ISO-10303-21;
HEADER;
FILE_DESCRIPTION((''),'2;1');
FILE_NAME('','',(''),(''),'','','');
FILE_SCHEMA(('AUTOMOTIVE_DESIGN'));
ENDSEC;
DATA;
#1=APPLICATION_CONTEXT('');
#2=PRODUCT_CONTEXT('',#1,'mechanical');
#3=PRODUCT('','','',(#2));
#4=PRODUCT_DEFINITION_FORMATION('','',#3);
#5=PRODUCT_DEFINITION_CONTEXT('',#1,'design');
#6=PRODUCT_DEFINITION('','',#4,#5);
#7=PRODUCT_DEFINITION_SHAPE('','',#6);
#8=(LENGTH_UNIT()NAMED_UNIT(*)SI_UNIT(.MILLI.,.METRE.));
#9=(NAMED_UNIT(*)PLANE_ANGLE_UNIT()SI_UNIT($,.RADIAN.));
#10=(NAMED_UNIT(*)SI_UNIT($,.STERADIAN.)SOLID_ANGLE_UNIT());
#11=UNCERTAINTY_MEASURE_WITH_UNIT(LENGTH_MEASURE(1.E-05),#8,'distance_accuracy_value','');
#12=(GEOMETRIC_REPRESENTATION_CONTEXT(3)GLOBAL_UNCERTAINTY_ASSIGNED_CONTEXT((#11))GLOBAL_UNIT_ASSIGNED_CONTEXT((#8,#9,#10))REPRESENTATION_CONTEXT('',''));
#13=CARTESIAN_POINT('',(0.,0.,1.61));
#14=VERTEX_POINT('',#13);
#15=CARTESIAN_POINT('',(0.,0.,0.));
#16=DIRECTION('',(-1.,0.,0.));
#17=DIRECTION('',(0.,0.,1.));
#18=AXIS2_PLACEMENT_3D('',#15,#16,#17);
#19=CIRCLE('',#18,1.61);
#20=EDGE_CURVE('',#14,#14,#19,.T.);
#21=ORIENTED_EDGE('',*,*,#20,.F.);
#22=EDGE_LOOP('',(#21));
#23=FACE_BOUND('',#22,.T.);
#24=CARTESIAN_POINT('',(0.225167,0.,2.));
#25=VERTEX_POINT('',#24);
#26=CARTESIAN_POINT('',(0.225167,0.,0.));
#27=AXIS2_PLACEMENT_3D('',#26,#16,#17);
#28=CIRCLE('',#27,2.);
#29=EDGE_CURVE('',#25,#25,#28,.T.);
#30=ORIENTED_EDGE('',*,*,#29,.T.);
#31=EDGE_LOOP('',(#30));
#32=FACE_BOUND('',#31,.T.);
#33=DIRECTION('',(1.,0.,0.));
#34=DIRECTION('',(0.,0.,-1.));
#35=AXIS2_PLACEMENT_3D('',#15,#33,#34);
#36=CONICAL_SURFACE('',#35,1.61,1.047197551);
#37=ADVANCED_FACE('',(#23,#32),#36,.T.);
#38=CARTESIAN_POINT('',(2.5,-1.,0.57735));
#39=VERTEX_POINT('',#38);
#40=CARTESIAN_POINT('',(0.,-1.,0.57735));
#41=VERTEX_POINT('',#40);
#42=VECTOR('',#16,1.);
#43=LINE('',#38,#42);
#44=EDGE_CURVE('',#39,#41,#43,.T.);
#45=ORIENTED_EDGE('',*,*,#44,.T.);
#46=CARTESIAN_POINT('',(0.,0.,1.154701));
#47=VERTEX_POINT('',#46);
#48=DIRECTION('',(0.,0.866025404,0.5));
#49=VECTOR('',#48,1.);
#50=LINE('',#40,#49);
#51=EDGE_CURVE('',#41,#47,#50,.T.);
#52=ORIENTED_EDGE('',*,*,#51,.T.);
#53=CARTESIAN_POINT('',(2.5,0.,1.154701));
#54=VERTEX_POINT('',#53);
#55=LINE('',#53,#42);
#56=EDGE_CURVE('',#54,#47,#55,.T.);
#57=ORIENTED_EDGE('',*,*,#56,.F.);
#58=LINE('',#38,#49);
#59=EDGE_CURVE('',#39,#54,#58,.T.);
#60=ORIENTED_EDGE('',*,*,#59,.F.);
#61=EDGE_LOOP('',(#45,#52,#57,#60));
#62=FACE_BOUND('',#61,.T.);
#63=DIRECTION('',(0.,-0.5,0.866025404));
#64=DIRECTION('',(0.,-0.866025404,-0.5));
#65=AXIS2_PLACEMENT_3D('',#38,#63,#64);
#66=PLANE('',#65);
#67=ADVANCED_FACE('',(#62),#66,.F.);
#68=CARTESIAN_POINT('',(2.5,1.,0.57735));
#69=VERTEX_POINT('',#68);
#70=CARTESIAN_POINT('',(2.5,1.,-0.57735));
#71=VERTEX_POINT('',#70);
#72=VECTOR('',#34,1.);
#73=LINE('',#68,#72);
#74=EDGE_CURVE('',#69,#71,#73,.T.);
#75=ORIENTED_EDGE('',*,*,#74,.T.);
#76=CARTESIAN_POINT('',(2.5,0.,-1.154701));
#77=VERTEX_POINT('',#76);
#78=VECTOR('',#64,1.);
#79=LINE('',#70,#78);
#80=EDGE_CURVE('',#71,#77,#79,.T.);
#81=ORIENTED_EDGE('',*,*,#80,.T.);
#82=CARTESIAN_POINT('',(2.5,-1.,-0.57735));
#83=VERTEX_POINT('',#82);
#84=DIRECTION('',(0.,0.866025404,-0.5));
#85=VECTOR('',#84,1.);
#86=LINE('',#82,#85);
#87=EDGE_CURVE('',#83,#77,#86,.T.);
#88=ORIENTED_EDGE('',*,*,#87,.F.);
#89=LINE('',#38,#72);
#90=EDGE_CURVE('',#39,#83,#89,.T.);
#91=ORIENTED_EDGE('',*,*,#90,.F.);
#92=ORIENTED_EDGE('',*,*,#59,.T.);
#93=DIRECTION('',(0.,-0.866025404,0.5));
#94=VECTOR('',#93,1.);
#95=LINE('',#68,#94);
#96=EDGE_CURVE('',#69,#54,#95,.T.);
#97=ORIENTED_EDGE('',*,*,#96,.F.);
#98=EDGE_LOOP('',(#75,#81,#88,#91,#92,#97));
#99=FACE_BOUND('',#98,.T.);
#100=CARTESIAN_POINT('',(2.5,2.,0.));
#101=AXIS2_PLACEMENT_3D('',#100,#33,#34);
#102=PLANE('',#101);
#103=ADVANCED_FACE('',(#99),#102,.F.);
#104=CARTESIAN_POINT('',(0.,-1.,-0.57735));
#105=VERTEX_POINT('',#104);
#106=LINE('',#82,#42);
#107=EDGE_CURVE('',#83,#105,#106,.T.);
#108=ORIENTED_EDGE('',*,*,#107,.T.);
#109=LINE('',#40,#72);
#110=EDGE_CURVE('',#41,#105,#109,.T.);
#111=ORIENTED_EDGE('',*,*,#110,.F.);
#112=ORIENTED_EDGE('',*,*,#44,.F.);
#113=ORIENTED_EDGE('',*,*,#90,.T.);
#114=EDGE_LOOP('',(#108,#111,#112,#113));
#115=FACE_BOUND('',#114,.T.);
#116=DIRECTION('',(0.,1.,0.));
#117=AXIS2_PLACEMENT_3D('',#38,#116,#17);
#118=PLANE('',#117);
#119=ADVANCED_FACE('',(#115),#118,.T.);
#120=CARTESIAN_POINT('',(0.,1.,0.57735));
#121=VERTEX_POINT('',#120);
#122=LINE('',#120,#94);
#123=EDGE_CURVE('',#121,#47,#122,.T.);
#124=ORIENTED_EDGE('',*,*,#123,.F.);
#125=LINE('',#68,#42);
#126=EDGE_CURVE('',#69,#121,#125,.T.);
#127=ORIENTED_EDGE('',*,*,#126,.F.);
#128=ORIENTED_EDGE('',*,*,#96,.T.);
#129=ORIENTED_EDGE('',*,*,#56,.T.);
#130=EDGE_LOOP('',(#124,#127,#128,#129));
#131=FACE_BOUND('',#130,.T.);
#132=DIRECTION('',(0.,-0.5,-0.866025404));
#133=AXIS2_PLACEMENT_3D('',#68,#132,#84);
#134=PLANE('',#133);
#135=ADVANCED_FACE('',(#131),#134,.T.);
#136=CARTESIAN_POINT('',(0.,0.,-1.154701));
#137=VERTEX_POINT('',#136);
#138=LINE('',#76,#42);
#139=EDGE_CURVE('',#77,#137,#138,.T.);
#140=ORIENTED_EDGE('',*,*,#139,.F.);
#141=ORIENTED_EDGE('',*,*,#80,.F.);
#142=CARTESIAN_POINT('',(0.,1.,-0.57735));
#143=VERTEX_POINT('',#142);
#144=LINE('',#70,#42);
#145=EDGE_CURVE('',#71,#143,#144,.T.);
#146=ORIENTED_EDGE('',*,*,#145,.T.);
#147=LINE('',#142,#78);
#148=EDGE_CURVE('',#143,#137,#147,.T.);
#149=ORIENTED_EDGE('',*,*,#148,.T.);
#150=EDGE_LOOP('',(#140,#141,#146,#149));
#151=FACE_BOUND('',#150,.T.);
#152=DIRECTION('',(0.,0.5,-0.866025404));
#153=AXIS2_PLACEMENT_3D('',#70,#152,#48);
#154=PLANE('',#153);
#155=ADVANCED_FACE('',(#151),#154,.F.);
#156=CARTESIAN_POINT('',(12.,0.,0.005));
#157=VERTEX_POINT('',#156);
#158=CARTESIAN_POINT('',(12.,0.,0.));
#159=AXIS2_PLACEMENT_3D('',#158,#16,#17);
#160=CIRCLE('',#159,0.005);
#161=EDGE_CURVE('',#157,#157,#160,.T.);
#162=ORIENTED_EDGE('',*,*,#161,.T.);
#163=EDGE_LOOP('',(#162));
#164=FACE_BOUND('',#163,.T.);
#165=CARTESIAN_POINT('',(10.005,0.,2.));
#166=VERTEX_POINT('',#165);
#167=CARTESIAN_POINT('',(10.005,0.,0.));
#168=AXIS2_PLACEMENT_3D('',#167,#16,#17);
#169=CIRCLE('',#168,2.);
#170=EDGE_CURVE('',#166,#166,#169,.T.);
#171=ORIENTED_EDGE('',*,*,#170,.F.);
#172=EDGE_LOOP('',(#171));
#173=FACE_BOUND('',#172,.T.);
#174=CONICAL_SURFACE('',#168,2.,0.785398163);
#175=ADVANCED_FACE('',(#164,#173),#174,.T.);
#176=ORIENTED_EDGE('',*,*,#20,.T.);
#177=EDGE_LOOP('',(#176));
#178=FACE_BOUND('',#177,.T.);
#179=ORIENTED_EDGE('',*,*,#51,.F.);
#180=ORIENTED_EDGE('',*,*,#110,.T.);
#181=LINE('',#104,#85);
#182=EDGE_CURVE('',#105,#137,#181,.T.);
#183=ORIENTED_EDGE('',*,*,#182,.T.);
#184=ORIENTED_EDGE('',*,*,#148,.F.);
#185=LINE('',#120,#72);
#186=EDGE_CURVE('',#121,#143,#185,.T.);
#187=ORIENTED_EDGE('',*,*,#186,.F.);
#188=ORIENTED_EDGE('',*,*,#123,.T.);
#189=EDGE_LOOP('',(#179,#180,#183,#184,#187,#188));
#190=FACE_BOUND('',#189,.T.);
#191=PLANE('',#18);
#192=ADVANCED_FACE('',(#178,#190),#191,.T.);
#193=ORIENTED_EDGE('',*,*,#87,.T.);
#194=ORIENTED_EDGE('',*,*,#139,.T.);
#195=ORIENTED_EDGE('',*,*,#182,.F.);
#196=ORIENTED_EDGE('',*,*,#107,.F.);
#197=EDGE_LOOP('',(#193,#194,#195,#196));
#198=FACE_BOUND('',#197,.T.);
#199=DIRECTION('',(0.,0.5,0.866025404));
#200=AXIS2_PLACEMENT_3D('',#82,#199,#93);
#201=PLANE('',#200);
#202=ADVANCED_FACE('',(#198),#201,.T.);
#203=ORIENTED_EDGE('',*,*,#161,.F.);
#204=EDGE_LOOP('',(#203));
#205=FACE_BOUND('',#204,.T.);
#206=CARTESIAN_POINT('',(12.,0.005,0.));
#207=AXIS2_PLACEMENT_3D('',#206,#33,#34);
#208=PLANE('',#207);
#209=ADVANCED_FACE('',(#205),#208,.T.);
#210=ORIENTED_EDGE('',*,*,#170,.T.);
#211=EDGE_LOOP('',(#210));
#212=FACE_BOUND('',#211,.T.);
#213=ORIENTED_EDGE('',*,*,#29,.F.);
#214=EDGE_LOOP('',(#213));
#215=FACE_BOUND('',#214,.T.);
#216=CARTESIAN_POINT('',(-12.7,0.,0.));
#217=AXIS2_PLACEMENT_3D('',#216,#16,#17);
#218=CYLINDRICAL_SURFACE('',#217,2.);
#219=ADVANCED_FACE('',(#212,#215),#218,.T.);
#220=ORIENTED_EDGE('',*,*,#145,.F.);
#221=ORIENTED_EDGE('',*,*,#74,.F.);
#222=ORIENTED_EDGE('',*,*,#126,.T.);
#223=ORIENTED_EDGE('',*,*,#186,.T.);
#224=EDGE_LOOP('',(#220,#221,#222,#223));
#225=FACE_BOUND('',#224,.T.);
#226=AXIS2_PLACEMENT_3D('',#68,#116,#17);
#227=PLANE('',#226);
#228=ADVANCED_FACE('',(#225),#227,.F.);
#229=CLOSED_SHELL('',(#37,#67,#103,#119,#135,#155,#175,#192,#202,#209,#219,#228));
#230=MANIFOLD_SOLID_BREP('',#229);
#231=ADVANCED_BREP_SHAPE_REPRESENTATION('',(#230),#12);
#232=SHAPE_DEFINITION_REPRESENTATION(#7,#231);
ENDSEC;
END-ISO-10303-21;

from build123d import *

# Parameters (mm, degrees)
HEX_2_DEPTH = 2.5


with BuildPart() as part:
    # BodySke → BaseBody (revolve)
    with BuildSketch(Plane.XY):
        Polygon((0, 0), (0, 1.61), (0.225166605, 2), (10.005, 2), (12, 0.005), (12, 0), align=None)
    revolve(axis=Axis((-12.7, 0, 0), (1, 0, 0)))

    # Sketch2 → Hex 2 (cut)
    with BuildSketch(Plane.ZY):
        Polygon((0.577350269, 1), (-0.577350269, 1), (-1.154700538, 0), (-0.577350269, -1), (0.577350269, -1), (1.154700538, 0), align=None)
    extrude(amount=-HEX_2_DEPTH, mode=Mode.SUBTRACT)


solid = part.part
